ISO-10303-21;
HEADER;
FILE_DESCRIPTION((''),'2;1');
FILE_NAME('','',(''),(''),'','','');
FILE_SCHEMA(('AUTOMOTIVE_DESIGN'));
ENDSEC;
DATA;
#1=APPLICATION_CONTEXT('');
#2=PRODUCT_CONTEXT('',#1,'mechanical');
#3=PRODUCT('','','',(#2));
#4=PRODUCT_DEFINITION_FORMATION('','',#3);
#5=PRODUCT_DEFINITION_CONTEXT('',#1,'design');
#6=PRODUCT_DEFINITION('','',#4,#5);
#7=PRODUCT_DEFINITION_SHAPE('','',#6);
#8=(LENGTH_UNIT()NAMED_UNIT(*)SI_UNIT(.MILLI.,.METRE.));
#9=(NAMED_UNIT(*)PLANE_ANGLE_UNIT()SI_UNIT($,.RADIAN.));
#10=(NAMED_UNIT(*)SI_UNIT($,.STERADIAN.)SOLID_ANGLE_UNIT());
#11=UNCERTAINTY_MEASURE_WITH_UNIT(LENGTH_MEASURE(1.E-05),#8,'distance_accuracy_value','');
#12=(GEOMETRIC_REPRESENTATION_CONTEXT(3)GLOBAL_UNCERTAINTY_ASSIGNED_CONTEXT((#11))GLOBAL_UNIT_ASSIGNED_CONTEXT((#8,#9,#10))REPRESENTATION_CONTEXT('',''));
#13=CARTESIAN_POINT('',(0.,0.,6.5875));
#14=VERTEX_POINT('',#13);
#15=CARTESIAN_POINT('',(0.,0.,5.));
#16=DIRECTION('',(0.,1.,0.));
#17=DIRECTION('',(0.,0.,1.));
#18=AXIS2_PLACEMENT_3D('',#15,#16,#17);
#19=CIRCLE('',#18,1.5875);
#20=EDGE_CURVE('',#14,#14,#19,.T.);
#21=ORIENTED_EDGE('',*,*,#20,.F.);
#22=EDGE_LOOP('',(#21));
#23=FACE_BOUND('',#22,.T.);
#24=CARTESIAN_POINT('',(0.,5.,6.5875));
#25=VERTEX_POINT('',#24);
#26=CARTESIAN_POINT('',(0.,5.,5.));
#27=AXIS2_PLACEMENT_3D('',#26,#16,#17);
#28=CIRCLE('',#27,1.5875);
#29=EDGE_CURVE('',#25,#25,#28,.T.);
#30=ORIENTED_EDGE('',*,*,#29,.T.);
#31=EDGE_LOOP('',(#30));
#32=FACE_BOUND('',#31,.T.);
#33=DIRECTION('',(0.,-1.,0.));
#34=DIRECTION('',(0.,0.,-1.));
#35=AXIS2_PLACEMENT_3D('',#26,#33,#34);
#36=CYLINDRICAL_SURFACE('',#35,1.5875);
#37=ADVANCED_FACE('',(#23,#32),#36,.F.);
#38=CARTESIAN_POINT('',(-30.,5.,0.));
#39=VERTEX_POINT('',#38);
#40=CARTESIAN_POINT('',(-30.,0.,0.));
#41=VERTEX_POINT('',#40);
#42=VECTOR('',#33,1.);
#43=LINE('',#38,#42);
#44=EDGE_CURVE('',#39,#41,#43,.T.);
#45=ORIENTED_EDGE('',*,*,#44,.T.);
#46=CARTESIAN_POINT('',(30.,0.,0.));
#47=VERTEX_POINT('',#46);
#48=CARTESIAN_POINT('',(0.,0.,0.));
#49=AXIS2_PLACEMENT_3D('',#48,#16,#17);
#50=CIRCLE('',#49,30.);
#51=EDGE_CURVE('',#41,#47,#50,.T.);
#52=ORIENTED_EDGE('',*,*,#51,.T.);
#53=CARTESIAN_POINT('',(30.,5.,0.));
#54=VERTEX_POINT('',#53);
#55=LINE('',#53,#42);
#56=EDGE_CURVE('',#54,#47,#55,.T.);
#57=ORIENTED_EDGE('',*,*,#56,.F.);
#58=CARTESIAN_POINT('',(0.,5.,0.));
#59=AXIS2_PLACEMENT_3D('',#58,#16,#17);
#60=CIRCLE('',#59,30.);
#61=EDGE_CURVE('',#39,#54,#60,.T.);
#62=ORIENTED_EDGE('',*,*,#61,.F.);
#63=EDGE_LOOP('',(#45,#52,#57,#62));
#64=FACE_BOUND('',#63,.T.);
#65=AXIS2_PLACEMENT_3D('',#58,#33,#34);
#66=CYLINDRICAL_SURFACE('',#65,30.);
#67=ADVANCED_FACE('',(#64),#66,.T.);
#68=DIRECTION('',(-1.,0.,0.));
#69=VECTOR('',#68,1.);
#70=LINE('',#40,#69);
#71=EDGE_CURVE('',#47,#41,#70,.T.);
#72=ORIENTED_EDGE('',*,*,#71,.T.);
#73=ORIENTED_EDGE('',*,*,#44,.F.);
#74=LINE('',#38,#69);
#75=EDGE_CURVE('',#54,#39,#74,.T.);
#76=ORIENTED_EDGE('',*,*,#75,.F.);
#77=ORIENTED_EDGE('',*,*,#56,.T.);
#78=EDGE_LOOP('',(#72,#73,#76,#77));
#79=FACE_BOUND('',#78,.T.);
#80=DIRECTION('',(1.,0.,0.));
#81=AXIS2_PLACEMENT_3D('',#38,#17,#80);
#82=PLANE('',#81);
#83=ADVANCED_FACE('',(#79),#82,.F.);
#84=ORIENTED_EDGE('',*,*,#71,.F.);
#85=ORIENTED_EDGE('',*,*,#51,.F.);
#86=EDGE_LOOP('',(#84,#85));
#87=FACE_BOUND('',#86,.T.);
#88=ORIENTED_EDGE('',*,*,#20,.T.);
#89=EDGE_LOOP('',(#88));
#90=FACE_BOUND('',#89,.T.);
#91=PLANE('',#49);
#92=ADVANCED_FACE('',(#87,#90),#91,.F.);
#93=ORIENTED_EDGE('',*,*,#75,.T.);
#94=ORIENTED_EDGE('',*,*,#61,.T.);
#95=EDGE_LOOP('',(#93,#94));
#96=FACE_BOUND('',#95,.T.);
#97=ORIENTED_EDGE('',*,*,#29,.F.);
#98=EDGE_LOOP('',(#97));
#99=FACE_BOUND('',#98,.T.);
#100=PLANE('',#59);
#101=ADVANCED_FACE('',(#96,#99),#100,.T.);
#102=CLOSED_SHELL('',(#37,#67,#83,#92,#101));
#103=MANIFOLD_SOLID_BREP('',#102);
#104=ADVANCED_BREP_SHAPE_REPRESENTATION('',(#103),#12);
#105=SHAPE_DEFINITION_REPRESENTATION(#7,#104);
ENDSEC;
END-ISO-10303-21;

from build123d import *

# Parameters (mm, degrees)
CROQUIS1_R              = 1.5875
SALIENTE_EXTRUIR1_DEPTH = 5


with BuildPart() as part:
    # Croquis1 → Saliente-Extruir1 (new body)
    with BuildSketch(Plane(origin=(0, 0, 0), x_dir=(1, 0, 0), z_dir=(0, 1, 0))):
        with BuildLine():
            Line((-30, 0), (30, 0))
            ThreePointArc((30, 0), (0, -30), (-30, 0))
        make_face()
        with Locations((0, -5)):
            Circle(CROQUIS1_R, mode=Mode.SUBTRACT)
    extrude(amount=SALIENTE_EXTRUIR1_DEPTH)


solid = part.part
